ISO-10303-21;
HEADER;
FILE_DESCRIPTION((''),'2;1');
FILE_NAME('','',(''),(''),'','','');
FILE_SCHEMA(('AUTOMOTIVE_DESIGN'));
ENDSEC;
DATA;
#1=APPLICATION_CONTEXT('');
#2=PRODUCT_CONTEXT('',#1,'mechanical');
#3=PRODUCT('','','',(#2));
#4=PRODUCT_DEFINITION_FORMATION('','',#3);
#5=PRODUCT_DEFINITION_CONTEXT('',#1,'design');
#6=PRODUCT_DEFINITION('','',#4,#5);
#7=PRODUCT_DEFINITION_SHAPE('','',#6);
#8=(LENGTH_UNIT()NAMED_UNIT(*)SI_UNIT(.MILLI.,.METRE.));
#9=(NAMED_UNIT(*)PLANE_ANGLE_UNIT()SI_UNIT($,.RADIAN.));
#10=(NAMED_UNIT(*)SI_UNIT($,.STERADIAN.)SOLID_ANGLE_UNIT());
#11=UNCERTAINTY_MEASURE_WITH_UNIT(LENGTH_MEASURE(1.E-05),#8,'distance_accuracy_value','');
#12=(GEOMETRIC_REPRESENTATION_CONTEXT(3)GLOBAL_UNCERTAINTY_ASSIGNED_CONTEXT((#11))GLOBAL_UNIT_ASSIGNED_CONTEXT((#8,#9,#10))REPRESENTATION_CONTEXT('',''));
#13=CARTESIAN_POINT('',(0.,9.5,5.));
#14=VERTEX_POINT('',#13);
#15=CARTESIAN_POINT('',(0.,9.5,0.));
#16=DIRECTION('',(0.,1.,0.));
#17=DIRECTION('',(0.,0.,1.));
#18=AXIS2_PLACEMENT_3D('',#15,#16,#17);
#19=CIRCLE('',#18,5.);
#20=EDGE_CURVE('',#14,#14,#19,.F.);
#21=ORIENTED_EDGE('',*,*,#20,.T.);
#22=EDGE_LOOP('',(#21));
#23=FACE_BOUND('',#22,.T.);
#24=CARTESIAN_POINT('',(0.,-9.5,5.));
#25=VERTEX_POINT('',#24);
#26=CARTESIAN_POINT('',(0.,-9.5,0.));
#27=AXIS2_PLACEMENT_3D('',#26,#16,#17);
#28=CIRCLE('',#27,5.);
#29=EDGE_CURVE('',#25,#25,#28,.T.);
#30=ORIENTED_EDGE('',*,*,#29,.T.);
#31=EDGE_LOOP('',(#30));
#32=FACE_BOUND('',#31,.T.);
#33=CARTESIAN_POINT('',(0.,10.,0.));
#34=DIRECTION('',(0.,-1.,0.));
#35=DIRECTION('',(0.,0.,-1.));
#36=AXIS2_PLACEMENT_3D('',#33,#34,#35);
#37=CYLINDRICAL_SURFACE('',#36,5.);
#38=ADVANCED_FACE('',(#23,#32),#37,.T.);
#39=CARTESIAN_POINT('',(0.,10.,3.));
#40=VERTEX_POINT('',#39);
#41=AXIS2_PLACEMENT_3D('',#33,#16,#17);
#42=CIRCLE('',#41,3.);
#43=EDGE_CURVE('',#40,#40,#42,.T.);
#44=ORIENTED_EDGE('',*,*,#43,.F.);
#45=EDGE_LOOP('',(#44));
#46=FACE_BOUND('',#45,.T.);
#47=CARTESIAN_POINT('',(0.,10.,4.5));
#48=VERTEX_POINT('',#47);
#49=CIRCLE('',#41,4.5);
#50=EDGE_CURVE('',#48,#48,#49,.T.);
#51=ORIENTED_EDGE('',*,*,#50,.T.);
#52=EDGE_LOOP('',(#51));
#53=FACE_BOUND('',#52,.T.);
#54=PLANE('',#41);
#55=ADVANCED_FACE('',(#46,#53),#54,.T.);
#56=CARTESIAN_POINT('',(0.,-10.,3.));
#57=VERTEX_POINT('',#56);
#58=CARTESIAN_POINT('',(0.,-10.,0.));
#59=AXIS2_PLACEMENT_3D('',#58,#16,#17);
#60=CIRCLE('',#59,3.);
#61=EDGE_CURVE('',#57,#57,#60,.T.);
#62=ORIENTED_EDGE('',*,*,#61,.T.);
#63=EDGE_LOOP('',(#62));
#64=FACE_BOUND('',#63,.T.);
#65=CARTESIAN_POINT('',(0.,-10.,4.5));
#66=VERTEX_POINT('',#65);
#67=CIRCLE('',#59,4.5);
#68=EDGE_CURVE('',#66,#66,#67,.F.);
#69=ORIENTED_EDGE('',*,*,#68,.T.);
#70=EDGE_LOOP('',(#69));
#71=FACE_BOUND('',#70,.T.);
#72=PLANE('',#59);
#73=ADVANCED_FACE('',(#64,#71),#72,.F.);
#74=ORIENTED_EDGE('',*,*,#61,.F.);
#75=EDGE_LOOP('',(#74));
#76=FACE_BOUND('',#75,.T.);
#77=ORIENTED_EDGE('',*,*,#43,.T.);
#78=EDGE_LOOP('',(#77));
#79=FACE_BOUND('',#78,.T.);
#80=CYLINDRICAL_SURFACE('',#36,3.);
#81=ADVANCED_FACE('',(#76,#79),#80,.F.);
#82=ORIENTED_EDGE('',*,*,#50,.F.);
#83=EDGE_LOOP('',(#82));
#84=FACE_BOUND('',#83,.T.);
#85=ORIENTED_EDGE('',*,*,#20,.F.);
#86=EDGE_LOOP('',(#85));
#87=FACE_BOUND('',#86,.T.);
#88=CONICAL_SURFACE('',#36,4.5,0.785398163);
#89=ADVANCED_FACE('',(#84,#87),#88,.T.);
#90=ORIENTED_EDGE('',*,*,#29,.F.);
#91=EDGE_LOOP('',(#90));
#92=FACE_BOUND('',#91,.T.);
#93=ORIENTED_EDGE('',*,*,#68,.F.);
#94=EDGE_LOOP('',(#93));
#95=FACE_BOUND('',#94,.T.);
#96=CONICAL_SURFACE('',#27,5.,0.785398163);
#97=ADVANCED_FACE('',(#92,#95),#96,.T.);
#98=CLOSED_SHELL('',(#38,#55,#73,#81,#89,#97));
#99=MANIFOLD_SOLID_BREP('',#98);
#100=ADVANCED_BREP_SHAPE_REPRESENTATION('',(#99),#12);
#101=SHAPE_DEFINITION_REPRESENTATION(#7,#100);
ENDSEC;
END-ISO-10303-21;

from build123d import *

# Parameters (mm, degrees)
SKETCH1_R           = 5
SKETCH1_R_2         = 3
BOSS_EXTRUDE1_DEPTH = 10
CHAMFER1_SIZE       = 0.5


with BuildPart() as part:
    # Sketch1 → Boss-Extrude1 (new, symmetric)
    with BuildSketch(Plane(origin=(0, 0, 0), x_dir=(1, 0, 0), z_dir=(0, 1, 0))):
        with Locations(Location((0, 0, 0), (0, 0, 270))):
            Circle(SKETCH1_R)
        with Locations(Location((0, 0, 0), (0, 0, 270))):
            Circle(SKETCH1_R_2, mode=Mode.SUBTRACT)
    extrude(amount=BOSS_EXTRUDE1_DEPTH, both=True)

    # Chamfer1
    chamfer1_edges = [part.edges().sort_by_distance(p)[0] for p in [
        (0, -10, -5),
        (0, 10, -5),
    ]]
    chamfer(chamfer1_edges, length=CHAMFER1_SIZE)


solid = part.part
